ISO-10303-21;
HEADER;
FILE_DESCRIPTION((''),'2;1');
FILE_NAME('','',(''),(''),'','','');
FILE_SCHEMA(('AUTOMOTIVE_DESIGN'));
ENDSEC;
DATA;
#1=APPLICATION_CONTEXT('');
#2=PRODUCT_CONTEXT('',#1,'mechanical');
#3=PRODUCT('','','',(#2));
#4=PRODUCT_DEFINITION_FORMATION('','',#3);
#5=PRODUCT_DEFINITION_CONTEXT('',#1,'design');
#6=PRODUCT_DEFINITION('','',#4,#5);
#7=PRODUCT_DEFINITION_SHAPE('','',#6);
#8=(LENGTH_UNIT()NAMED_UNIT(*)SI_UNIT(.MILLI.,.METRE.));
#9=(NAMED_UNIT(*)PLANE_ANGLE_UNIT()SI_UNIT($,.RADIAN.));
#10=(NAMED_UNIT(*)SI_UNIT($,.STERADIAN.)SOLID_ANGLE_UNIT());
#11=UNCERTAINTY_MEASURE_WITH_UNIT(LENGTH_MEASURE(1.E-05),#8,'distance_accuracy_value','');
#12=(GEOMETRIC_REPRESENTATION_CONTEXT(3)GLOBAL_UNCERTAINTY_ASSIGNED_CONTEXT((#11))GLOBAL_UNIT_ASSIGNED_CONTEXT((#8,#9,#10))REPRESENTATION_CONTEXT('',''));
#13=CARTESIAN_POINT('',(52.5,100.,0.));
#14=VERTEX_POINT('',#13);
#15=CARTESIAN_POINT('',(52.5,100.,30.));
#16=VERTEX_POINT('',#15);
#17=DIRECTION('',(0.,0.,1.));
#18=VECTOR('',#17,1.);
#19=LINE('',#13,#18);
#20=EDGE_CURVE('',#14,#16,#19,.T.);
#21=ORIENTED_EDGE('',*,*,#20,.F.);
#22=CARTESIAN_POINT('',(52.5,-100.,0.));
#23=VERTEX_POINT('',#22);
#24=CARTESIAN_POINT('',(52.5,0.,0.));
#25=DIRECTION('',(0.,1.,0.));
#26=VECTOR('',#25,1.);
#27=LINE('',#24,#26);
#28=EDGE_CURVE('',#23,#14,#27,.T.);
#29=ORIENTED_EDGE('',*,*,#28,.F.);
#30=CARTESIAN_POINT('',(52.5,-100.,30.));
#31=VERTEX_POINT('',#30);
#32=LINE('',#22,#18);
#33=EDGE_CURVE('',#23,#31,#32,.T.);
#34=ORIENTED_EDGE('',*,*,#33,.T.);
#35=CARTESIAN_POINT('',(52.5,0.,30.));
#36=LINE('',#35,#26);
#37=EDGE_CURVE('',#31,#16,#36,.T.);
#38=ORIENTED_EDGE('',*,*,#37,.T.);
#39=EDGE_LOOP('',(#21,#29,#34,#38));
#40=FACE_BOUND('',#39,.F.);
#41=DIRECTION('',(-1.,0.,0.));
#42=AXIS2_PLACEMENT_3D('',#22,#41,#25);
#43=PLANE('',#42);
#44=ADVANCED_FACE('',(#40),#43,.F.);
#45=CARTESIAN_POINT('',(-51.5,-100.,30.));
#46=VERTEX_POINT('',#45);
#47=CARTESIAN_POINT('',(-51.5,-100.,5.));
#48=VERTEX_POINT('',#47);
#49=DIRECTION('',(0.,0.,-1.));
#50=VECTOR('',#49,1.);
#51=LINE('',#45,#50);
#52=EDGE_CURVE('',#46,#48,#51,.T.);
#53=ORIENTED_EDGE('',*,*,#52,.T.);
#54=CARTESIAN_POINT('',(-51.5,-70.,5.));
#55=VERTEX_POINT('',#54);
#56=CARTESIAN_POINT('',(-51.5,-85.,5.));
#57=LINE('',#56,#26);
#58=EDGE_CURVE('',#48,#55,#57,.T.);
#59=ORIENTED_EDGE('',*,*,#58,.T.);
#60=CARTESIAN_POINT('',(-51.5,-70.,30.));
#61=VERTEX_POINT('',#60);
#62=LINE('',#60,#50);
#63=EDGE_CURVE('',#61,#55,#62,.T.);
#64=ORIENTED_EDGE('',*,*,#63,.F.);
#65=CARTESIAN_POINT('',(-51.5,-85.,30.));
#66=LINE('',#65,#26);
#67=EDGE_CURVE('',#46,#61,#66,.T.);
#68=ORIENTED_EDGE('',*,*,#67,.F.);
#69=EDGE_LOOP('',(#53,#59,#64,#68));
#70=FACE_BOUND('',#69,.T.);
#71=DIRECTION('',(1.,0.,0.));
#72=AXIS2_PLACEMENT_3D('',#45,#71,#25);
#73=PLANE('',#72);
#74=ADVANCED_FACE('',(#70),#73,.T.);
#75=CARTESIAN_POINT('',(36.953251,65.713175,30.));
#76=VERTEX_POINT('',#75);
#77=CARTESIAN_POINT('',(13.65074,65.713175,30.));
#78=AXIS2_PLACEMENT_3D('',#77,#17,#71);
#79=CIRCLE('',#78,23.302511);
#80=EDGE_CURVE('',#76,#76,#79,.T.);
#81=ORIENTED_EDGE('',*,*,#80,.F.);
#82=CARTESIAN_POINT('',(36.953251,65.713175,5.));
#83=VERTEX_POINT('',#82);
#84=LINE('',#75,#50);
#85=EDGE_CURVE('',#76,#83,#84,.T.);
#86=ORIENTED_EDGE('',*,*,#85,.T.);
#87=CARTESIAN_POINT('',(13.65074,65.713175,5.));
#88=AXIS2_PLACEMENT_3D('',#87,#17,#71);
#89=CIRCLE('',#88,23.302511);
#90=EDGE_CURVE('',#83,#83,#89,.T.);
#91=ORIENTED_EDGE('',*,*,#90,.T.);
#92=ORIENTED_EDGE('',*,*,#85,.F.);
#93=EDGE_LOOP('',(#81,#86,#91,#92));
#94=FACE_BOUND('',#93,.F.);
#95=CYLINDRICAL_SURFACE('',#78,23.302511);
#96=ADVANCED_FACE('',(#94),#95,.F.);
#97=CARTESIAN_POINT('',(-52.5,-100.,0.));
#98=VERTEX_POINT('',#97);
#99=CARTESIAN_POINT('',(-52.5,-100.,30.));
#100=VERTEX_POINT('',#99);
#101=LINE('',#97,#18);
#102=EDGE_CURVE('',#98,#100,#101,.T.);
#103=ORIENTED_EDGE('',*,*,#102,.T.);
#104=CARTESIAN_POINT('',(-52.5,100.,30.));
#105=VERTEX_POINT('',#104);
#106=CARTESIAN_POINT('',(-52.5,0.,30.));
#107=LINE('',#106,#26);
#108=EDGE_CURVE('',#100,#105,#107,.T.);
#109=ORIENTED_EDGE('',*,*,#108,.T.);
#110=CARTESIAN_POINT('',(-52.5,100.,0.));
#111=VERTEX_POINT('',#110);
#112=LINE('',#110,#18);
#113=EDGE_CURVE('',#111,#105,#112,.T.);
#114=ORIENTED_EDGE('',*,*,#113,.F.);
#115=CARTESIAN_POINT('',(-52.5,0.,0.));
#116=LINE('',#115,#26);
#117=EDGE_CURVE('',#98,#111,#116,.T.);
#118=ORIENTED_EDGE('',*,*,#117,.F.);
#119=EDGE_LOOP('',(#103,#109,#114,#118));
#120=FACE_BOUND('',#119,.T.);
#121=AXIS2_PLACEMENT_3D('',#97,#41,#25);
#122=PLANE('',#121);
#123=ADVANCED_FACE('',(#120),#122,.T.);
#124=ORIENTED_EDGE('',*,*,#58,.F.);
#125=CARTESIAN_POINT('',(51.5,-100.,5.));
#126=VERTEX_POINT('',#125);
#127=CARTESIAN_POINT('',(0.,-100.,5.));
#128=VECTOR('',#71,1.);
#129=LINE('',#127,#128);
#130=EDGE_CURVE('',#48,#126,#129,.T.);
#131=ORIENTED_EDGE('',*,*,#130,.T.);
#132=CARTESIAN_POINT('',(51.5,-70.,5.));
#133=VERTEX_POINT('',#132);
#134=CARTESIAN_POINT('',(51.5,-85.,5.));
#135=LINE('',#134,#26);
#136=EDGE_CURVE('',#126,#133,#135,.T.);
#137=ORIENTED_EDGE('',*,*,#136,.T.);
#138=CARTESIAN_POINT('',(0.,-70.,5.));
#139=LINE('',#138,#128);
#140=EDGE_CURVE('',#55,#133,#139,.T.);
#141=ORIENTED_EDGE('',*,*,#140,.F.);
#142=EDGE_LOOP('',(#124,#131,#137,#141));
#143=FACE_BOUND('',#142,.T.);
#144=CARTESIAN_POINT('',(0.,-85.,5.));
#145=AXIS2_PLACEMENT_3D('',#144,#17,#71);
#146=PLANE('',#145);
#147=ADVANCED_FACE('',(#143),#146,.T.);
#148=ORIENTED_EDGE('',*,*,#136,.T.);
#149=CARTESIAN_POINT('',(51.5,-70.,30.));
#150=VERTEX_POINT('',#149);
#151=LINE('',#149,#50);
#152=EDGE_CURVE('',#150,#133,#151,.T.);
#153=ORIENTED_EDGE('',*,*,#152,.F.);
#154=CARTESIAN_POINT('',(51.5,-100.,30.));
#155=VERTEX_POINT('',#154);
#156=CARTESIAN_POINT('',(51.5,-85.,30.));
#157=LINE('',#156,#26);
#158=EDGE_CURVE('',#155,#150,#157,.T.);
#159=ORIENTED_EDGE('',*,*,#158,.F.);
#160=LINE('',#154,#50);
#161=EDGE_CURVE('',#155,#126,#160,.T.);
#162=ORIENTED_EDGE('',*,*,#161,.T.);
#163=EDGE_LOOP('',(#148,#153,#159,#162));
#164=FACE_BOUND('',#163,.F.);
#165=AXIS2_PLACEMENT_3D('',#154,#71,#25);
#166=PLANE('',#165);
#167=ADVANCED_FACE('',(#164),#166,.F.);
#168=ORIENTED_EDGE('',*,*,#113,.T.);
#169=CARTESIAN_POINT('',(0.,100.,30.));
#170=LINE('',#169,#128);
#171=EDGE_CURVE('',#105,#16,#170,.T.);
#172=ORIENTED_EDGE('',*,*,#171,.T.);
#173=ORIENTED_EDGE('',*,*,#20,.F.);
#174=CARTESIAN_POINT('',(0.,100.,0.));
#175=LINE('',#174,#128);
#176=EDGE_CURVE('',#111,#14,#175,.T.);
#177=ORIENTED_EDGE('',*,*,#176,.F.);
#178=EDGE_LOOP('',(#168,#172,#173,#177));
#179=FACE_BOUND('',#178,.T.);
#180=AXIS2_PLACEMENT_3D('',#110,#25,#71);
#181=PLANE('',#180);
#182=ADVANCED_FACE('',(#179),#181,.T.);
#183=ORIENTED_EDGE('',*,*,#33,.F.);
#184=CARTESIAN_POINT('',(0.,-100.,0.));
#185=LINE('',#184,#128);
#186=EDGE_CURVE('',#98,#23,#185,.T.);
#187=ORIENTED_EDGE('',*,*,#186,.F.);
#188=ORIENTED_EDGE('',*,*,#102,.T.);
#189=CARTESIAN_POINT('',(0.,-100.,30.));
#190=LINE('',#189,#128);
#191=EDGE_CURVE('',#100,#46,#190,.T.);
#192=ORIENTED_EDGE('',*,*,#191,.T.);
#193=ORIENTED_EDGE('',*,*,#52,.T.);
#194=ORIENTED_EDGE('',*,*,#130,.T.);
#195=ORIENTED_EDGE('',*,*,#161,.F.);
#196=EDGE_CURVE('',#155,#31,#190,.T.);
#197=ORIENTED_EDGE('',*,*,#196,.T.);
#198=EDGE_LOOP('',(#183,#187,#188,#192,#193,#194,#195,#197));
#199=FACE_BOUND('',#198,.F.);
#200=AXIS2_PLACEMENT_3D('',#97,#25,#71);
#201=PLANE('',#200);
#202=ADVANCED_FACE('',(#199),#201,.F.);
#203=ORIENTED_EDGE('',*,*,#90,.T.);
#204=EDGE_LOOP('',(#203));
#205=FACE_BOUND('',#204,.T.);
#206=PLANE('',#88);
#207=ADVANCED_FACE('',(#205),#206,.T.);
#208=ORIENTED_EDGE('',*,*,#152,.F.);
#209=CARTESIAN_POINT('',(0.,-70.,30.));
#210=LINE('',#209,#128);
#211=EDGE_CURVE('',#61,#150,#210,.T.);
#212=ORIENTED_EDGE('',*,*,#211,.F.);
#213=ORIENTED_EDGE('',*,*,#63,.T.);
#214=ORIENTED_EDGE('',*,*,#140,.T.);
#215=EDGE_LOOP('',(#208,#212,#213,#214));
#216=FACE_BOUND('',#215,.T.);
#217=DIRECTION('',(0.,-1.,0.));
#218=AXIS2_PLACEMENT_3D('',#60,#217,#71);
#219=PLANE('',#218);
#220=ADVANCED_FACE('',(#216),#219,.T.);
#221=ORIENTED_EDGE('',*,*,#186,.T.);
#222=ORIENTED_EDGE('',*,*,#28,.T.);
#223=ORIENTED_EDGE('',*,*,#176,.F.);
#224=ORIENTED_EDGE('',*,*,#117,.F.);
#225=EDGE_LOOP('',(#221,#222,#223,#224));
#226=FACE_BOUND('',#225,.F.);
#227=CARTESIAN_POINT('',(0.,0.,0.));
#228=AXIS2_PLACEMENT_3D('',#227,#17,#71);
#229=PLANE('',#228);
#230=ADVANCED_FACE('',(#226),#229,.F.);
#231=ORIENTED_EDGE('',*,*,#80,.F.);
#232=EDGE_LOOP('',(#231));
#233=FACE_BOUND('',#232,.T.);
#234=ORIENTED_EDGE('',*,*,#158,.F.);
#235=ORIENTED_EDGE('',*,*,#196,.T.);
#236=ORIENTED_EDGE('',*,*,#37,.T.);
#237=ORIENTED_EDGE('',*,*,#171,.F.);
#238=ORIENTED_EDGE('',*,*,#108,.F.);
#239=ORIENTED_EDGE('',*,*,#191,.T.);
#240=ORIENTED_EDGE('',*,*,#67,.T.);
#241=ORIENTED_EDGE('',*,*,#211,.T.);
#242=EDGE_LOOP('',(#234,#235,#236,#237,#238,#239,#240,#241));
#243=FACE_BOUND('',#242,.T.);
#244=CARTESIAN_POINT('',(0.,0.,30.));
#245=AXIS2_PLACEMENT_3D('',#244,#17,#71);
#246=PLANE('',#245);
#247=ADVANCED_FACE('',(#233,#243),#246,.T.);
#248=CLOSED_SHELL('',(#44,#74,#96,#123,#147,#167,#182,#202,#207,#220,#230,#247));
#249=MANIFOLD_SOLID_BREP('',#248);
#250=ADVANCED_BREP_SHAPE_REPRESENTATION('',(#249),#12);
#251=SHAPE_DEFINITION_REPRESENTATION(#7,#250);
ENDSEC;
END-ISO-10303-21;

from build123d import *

# Parameters (mm, degrees)
F0_W     = 105
F0_H     = 200
F1_DEPTH = 30
F2_W     = 103
F2_H     = 30
F2_R     = 23.302511
F3_DEPTH = 25


with BuildPart() as f1:
    # F0 (on Top) → F1 (new body)
    with BuildSketch(Plane.XY):
        Rectangle(F0_W, F0_H)
    extrude(amount=F1_DEPTH)

    # F2 (on face) → F3 (cut)
    with BuildSketch(Plane.XY.offset(30)):
        with Locations((0, -85)):
            Rectangle(F2_W, F2_H)
        with Locations((13.65074, 65.713175)):
            Circle(F2_R)
    extrude(amount=-F3_DEPTH, mode=Mode.SUBTRACT)


solid = f1.part
